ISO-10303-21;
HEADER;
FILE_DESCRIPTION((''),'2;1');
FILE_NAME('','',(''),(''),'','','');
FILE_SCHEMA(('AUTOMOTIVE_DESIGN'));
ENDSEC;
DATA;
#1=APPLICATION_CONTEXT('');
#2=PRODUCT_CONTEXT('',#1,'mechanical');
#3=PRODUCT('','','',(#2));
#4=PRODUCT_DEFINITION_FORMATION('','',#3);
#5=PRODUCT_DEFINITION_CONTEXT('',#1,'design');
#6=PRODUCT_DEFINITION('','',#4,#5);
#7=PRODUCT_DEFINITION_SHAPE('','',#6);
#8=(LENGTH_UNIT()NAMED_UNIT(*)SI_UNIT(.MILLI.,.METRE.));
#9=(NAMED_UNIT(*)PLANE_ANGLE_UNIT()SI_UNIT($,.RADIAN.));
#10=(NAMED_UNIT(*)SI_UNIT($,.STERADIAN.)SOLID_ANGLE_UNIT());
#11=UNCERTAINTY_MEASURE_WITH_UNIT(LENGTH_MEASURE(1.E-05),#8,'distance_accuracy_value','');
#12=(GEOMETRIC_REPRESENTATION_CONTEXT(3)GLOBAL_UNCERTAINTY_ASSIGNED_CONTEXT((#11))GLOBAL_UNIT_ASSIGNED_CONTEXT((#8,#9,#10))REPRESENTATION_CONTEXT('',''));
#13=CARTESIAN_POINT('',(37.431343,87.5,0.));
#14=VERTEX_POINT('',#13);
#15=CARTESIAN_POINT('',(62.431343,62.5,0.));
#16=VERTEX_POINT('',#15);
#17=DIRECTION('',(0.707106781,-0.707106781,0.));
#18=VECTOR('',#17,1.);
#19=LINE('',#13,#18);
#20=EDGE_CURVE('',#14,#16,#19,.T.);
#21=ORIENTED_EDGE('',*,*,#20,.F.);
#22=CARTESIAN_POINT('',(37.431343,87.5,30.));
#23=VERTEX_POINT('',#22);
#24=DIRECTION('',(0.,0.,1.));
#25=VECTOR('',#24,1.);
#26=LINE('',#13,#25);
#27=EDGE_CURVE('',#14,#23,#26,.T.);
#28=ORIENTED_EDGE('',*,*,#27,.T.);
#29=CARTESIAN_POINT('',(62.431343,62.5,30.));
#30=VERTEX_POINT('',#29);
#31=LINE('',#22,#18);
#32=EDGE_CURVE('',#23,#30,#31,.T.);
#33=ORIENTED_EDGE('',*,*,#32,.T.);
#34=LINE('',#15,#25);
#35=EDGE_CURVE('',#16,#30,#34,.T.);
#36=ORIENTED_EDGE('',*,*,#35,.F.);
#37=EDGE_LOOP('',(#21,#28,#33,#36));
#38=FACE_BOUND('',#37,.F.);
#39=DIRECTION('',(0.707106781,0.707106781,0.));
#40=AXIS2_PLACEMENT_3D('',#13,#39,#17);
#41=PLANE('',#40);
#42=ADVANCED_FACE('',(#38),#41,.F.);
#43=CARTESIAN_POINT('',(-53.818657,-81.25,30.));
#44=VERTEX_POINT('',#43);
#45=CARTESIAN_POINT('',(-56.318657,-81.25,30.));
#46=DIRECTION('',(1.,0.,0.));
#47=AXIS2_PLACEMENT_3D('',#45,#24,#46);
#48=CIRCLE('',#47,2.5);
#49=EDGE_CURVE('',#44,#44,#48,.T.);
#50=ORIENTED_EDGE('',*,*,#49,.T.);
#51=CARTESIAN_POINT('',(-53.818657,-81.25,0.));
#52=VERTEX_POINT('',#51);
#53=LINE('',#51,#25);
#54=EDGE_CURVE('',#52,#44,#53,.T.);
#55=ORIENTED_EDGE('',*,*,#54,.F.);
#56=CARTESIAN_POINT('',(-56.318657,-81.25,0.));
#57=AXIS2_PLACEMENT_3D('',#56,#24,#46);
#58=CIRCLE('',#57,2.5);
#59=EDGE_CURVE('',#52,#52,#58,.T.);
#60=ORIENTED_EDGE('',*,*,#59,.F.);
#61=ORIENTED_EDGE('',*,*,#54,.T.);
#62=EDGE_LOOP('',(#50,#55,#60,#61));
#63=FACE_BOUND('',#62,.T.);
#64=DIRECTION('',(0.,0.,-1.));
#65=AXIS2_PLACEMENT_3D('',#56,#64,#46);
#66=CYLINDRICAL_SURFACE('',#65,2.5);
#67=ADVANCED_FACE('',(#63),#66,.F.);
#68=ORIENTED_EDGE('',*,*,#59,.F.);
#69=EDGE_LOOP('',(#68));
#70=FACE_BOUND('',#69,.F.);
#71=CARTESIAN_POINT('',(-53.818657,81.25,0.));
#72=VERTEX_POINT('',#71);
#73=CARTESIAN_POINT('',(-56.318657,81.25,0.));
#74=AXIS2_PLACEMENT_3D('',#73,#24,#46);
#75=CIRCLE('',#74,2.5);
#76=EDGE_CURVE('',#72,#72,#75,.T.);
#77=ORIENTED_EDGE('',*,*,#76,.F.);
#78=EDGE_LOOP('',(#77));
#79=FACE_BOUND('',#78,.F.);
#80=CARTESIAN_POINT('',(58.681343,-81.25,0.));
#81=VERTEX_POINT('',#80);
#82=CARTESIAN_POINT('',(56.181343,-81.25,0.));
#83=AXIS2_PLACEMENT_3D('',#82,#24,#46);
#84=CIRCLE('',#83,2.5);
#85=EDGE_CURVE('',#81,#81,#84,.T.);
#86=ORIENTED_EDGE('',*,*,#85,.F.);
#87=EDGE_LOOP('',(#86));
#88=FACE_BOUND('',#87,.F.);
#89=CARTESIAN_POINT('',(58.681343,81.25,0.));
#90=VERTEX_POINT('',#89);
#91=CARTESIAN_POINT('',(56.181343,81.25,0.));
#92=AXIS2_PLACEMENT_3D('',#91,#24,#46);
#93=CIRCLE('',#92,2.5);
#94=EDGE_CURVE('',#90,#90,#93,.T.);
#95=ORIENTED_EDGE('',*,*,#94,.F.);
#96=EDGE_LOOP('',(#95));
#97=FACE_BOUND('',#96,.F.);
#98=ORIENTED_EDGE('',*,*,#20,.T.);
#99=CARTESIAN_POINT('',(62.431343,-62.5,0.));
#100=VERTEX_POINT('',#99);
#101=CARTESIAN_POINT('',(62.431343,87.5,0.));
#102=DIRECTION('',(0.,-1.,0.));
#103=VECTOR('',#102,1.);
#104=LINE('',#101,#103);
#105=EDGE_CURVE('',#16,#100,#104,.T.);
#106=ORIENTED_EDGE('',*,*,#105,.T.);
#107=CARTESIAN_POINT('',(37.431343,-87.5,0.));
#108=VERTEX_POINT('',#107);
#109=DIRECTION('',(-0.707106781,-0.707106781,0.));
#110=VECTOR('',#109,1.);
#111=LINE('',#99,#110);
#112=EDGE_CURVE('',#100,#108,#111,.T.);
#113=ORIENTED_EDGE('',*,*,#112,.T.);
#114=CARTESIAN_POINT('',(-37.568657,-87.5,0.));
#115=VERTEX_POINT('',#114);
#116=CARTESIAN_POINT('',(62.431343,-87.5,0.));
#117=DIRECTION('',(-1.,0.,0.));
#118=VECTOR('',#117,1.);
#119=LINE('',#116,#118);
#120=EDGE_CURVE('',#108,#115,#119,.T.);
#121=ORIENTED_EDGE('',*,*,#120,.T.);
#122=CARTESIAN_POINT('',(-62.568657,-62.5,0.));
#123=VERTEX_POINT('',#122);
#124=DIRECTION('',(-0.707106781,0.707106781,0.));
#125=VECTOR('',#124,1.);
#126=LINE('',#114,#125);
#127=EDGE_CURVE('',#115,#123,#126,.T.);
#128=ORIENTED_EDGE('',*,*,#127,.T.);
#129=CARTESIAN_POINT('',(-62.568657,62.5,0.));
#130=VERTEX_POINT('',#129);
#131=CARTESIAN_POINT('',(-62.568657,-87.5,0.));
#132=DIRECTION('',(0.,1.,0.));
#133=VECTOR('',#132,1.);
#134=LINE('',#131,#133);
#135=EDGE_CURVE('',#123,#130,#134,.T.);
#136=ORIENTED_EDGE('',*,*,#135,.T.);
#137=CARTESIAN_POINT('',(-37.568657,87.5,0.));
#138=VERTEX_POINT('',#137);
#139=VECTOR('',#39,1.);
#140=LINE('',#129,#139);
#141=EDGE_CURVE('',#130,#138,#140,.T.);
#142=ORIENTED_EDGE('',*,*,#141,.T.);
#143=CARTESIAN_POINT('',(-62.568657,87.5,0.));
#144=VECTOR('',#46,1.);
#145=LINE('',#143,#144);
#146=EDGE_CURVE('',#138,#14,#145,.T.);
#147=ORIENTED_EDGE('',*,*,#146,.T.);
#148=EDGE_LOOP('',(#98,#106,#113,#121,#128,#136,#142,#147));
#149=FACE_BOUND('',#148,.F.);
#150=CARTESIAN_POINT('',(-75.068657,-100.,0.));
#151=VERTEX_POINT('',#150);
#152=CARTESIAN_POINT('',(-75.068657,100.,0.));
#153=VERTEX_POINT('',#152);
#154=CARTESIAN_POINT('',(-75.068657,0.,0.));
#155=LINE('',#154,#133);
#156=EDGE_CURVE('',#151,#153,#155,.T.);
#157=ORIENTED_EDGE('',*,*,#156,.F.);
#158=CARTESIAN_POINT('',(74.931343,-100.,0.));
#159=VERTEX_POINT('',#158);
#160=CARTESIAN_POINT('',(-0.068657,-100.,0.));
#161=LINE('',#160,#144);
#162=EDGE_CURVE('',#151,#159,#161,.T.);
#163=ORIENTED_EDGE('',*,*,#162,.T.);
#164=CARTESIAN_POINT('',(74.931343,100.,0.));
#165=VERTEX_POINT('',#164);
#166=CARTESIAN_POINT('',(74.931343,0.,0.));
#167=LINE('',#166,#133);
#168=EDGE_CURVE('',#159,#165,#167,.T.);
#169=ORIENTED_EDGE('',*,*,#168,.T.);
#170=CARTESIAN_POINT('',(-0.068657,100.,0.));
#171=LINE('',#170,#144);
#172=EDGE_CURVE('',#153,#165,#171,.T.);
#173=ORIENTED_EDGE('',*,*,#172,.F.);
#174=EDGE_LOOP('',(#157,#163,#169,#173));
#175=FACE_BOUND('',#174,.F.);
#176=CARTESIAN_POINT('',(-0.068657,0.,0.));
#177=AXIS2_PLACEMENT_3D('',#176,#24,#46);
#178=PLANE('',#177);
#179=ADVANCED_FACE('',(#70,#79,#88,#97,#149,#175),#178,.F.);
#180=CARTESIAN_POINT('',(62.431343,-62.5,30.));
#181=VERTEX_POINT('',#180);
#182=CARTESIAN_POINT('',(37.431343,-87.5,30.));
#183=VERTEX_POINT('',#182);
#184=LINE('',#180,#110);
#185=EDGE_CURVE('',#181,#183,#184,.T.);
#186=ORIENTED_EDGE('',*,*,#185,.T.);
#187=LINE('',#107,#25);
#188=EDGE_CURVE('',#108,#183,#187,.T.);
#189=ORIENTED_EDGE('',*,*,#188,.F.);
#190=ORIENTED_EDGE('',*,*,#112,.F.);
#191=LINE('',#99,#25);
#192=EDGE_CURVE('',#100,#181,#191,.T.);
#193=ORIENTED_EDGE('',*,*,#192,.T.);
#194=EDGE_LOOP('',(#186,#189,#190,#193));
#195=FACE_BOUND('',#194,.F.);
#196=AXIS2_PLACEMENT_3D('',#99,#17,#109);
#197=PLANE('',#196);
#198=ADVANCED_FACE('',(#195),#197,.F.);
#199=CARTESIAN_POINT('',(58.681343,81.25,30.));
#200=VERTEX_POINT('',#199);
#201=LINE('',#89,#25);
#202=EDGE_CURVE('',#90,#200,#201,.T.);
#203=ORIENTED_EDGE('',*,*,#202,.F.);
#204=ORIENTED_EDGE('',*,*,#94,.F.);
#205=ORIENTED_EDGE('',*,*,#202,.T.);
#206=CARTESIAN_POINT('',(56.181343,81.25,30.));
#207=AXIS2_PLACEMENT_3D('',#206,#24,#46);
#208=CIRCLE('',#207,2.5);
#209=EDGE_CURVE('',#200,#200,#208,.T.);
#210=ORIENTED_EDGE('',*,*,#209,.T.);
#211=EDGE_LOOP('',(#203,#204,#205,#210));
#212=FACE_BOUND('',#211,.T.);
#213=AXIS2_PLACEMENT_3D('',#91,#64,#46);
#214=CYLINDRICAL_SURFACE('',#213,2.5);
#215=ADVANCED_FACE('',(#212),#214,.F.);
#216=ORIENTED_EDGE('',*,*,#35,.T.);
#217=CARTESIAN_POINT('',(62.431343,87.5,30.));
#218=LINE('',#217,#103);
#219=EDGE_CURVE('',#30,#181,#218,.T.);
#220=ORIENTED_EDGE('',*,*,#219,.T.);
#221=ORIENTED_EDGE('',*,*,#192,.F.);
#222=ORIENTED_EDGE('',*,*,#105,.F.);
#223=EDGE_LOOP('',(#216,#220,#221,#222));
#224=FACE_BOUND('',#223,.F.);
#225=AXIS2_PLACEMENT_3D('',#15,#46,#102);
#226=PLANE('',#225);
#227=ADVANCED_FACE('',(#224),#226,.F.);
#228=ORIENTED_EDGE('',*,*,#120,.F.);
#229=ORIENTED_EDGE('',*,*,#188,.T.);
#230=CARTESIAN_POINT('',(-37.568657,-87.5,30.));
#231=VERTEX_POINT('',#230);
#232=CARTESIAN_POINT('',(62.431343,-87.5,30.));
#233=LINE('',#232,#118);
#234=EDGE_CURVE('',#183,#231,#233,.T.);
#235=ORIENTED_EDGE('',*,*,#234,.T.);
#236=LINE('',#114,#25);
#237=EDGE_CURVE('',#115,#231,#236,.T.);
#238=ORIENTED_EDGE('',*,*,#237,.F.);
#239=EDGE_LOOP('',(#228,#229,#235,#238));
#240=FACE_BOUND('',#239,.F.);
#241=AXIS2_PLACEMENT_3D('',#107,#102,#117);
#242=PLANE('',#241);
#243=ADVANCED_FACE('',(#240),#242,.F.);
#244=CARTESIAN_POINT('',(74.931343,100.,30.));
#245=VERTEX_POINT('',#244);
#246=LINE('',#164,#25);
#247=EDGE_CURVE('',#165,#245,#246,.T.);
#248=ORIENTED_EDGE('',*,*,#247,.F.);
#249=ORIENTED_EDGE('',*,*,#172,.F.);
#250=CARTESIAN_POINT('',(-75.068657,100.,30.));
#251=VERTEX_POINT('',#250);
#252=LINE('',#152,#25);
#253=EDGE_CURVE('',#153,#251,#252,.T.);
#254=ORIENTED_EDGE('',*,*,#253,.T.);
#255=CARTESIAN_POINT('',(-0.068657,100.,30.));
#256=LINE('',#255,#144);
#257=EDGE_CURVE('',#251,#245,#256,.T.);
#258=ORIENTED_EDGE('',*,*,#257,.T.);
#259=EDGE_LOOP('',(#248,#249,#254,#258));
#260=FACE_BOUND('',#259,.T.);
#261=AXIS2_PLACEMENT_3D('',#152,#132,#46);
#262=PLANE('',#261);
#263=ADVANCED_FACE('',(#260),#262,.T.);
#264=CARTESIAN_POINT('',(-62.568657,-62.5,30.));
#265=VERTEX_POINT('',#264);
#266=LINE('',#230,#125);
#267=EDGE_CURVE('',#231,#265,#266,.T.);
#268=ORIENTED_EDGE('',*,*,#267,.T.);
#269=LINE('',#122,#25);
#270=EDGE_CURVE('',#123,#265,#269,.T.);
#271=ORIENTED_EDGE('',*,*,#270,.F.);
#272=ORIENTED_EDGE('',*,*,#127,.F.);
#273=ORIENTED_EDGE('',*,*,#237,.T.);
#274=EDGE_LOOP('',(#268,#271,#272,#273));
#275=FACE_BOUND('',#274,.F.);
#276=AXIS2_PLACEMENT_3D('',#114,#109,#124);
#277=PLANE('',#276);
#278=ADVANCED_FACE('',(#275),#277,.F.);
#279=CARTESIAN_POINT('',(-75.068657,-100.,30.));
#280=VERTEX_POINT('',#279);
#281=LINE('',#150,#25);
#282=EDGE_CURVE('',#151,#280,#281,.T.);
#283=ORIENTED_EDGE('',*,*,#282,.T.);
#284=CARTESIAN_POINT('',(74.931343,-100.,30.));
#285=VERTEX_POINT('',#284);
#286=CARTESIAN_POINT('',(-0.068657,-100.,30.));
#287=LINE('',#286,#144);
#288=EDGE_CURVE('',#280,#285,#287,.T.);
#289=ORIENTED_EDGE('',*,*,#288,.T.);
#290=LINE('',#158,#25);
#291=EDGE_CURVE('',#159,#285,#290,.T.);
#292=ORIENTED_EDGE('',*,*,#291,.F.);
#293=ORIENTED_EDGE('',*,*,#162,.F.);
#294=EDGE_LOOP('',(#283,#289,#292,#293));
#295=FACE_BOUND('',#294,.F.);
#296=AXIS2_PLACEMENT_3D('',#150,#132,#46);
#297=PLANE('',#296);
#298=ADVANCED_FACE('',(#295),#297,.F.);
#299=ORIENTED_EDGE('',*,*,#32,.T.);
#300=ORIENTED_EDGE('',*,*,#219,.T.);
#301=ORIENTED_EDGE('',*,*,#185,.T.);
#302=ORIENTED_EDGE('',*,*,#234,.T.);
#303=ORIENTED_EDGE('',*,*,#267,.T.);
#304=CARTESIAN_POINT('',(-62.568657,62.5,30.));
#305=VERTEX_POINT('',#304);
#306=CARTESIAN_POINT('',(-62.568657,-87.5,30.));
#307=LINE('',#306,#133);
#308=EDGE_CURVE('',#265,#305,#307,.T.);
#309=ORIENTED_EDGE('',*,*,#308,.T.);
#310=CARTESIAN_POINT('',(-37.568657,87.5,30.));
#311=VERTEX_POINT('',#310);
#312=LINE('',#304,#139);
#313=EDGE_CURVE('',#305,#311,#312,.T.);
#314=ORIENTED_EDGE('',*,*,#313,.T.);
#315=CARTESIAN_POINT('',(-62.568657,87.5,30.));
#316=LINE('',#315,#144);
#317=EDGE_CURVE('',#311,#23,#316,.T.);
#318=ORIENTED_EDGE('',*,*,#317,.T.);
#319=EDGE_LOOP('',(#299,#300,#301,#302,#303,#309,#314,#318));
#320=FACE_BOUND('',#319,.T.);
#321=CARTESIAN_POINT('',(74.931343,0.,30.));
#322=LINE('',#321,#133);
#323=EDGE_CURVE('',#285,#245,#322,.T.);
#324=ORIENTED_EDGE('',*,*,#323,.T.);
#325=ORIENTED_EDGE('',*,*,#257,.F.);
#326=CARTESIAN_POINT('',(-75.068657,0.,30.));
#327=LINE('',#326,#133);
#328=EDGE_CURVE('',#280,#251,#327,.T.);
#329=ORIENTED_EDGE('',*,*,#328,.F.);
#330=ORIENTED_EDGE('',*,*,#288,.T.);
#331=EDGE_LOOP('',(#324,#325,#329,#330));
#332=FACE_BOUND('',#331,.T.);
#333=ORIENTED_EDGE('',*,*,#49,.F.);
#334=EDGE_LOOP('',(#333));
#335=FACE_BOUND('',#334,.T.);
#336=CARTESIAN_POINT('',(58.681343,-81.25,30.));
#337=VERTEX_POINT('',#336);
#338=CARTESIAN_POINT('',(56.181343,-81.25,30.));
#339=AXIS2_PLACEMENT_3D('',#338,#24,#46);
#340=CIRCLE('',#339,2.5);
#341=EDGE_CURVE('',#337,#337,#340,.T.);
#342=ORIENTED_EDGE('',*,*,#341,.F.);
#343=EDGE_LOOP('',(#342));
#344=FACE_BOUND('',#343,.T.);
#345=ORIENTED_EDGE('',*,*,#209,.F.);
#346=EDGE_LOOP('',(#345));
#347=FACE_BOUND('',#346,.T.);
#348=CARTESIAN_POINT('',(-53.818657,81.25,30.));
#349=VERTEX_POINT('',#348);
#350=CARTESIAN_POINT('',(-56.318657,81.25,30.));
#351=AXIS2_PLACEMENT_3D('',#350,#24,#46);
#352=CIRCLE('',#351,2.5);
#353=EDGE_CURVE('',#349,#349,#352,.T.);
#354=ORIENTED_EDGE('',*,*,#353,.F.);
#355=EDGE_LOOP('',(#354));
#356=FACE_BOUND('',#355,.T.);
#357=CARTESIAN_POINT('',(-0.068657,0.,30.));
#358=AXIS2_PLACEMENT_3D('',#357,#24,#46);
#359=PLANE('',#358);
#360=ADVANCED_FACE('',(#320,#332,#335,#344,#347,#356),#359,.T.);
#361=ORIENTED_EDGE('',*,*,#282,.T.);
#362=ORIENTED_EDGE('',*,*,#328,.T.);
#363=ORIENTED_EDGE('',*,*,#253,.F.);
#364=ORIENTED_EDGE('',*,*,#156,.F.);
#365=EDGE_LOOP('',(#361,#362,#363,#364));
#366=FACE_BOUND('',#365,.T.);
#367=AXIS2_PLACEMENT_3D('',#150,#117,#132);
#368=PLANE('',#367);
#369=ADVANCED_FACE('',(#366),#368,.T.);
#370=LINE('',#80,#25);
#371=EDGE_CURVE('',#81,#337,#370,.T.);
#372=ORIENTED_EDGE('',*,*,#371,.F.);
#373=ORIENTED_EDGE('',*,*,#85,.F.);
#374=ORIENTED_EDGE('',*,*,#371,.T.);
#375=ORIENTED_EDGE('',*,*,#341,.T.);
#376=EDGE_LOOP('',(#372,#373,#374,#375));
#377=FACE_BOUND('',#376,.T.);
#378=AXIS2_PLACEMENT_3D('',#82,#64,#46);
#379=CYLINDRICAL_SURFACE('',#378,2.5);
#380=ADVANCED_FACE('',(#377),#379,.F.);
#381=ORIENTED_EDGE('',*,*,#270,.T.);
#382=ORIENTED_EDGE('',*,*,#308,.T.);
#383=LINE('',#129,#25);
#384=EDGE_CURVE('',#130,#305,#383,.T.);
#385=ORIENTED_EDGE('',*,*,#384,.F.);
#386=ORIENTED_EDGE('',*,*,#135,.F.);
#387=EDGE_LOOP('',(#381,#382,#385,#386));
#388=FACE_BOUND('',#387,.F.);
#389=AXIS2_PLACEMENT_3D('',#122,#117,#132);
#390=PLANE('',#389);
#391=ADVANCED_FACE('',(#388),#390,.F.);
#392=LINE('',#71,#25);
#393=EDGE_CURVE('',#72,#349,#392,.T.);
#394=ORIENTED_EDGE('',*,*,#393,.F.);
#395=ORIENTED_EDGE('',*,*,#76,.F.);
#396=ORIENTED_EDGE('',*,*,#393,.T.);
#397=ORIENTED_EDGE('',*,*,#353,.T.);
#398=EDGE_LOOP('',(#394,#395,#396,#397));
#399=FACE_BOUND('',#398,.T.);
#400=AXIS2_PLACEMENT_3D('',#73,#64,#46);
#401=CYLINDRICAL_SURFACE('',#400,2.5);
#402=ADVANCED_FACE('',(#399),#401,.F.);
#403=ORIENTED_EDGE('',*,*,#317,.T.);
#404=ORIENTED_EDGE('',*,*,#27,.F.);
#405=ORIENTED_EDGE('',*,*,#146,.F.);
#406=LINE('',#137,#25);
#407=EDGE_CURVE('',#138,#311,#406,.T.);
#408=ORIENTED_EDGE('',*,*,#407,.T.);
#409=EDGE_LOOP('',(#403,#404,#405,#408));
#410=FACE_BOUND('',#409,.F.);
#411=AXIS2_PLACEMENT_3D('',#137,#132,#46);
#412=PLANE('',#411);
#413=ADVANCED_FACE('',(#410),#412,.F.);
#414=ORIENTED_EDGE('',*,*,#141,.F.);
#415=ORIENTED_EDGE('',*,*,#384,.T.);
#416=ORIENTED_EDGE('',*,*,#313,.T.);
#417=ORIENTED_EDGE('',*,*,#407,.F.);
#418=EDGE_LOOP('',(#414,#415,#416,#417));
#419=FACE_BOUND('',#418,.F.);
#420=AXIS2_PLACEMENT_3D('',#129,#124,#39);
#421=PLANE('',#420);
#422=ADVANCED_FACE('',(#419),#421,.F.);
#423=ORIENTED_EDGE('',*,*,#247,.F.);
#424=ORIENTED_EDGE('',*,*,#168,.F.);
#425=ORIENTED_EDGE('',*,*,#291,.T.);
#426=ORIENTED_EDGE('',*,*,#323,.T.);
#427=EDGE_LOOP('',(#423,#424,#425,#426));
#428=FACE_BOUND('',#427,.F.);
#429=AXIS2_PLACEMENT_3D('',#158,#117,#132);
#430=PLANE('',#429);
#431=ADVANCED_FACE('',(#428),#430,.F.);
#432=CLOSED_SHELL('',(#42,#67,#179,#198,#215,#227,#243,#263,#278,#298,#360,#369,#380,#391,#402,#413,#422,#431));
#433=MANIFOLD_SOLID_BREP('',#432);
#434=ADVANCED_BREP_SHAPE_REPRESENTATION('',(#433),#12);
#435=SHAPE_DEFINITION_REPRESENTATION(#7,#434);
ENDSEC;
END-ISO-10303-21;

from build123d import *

# Parameters (mm, degrees)
F0_W     = 150
F0_H     = 200
F0_W_2   = 137.5
F0_H_2   = 187.5
F0_R     = 5
F0_R_2   = 2.5
F1_DEPTH = 30


with BuildPart() as f1:
    # F0 (on Top) → F1 (new body)
    with BuildSketch(Plane.XY):
        with Locations((-0.0686573694, 0)):
            Rectangle(F0_W, F0_H)
        with Locations((-0.0686573694, 0)):
            Rectangle(F0_W_2, F0_H_2, mode=Mode.SUBTRACT)
        with Locations((-0.0686573694, 0)):
            Rectangle(F0_W_2, F0_H_2)
        Polygon((-62.5686573694, 62.5), (-62.5686573694, 87.5), (-37.5686573694, 87.5), (37.4313426306, 87.5), (62.4313426306, 87.5), (62.4313426306, 62.5), (62.4313426306, -62.5), (62.4313426306, -87.5), (37.4313426306, -87.5), (-37.5686573694, -87.5), (-62.5686573694, -87.5), (-62.5686573694, -62.5), align=None, mode=Mode.SUBTRACT)
        Polygon((-37.5686573694, 87.5), (-62.5686573694, 87.5), (-62.5686573694, 62.5), align=None)
        with Locations((-56.3186573694, 81.25)):
            Circle(F0_R, mode=Mode.SUBTRACT)
        Polygon((62.4313426306, 87.5), (37.4313426306, 87.5), (62.4313426306, 62.5), align=None)
        with Locations((56.1813426306, 81.25)):
            Circle(F0_R, mode=Mode.SUBTRACT)
        Polygon((62.4313426306, -87.5), (62.4313426306, -62.5), (37.4313426306, -87.5), align=None)
        with Locations((56.1813426306, -81.25)):
            Circle(F0_R, mode=Mode.SUBTRACT)
        Polygon((-37.5686573694, -87.5), (-62.5686573694, -62.5), (-62.5686573694, -87.5), align=None)
        with Locations((-56.3186573694, -81.25)):
            Circle(F0_R, mode=Mode.SUBTRACT)
        with Locations((-56.3186573694, 81.25)):
            Circle(F0_R)
        with Locations((-56.3186573694, 81.25)):
            Circle(F0_R_2, mode=Mode.SUBTRACT)
        with Locations((56.1813426306, 81.25)):
            Circle(F0_R)
        with Locations((56.1813426306, 81.25)):
            Circle(F0_R_2, mode=Mode.SUBTRACT)
        with Locations((56.1813426306, -81.25)):
            Circle(F0_R)
        with Locations((56.1813426306, -81.25)):
            Circle(F0_R_2, mode=Mode.SUBTRACT)
        with Locations((-56.3186573694, -81.25)):
            Circle(F0_R)
        with Locations((-56.3186573694, -81.25)):
            Circle(F0_R_2, mode=Mode.SUBTRACT)
    extrude(amount=F1_DEPTH)


solid = f1.part
